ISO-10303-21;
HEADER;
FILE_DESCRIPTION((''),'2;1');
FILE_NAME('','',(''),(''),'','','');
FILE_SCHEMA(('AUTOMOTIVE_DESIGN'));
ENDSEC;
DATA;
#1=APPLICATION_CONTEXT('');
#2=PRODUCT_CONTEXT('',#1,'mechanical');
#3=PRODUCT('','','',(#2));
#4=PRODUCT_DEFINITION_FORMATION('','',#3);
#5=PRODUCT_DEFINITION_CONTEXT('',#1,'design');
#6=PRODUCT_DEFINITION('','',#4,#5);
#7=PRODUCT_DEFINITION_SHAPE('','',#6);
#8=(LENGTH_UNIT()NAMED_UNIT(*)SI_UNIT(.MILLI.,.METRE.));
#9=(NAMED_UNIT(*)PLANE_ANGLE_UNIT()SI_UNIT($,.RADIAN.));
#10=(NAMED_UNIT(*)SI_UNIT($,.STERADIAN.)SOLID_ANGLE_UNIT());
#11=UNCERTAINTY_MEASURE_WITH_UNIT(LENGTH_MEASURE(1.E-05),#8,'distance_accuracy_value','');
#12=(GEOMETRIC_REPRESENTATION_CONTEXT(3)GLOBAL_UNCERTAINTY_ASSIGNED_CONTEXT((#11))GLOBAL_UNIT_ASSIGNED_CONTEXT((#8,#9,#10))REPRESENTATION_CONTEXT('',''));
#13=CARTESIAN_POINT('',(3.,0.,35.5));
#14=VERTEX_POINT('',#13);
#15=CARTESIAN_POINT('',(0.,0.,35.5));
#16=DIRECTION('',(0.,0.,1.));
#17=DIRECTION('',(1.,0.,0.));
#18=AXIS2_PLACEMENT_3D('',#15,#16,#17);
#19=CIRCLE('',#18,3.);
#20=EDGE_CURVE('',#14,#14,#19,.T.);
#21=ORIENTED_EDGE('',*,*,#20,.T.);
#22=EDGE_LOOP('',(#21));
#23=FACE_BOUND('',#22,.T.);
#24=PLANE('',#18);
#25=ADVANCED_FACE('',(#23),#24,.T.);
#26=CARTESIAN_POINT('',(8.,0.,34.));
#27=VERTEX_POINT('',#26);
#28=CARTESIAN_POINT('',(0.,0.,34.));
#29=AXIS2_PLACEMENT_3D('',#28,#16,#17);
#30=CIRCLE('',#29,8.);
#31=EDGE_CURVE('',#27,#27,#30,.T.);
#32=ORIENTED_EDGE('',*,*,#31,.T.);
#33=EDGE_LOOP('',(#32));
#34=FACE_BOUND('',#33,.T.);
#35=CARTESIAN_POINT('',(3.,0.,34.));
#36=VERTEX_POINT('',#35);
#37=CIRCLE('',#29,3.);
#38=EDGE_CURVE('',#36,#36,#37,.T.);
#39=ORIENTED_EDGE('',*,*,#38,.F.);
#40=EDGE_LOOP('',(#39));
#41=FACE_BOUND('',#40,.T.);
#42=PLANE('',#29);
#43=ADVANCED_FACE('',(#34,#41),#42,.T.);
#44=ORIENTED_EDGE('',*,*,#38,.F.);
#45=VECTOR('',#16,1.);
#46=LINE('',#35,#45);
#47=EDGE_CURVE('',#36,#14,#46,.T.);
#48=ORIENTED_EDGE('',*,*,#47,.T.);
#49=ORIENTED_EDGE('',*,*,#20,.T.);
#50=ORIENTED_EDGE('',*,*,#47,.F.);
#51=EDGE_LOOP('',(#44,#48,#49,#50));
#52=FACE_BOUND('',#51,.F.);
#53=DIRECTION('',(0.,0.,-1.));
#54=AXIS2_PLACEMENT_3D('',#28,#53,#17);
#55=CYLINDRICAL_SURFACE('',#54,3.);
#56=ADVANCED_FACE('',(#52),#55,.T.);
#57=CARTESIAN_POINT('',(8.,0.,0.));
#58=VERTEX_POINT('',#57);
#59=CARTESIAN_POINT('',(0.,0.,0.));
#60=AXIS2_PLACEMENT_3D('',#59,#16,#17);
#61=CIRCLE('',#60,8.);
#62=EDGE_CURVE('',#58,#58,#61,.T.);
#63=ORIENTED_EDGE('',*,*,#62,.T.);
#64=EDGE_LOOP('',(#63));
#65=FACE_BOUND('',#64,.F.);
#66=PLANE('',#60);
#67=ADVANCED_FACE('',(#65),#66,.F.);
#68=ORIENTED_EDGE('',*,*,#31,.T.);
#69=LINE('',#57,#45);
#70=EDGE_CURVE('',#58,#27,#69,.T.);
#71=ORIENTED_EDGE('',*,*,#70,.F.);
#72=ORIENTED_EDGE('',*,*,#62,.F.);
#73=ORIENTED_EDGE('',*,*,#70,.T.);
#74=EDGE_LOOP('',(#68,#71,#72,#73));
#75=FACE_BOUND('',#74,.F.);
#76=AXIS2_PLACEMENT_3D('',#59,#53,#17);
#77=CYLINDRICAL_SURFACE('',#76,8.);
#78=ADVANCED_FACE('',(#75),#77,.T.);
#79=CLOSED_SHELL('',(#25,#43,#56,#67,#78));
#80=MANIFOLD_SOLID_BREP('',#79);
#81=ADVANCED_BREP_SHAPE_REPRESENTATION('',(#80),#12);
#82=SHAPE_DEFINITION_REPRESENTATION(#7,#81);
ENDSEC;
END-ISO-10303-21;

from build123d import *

# Parameters (mm, degrees)
CYLINDER_R        = 8
CYLINDER_DEPTH    = 34
CYLINDER001_R     = 3
CYLINDER001_DEPTH = 1.5


with BuildPart() as part:
    # Cylinder → Cylinder (join)
    with BuildSketch(Plane.XY):
        Circle(CYLINDER_R)
    extrude(amount=CYLINDER_DEPTH)

    # Cylinder001 → Cylinder001 (join)
    with BuildSketch(Plane.XY.offset(34)):
        Circle(CYLINDER001_R)
    extrude(amount=CYLINDER001_DEPTH)


solid = part.part
